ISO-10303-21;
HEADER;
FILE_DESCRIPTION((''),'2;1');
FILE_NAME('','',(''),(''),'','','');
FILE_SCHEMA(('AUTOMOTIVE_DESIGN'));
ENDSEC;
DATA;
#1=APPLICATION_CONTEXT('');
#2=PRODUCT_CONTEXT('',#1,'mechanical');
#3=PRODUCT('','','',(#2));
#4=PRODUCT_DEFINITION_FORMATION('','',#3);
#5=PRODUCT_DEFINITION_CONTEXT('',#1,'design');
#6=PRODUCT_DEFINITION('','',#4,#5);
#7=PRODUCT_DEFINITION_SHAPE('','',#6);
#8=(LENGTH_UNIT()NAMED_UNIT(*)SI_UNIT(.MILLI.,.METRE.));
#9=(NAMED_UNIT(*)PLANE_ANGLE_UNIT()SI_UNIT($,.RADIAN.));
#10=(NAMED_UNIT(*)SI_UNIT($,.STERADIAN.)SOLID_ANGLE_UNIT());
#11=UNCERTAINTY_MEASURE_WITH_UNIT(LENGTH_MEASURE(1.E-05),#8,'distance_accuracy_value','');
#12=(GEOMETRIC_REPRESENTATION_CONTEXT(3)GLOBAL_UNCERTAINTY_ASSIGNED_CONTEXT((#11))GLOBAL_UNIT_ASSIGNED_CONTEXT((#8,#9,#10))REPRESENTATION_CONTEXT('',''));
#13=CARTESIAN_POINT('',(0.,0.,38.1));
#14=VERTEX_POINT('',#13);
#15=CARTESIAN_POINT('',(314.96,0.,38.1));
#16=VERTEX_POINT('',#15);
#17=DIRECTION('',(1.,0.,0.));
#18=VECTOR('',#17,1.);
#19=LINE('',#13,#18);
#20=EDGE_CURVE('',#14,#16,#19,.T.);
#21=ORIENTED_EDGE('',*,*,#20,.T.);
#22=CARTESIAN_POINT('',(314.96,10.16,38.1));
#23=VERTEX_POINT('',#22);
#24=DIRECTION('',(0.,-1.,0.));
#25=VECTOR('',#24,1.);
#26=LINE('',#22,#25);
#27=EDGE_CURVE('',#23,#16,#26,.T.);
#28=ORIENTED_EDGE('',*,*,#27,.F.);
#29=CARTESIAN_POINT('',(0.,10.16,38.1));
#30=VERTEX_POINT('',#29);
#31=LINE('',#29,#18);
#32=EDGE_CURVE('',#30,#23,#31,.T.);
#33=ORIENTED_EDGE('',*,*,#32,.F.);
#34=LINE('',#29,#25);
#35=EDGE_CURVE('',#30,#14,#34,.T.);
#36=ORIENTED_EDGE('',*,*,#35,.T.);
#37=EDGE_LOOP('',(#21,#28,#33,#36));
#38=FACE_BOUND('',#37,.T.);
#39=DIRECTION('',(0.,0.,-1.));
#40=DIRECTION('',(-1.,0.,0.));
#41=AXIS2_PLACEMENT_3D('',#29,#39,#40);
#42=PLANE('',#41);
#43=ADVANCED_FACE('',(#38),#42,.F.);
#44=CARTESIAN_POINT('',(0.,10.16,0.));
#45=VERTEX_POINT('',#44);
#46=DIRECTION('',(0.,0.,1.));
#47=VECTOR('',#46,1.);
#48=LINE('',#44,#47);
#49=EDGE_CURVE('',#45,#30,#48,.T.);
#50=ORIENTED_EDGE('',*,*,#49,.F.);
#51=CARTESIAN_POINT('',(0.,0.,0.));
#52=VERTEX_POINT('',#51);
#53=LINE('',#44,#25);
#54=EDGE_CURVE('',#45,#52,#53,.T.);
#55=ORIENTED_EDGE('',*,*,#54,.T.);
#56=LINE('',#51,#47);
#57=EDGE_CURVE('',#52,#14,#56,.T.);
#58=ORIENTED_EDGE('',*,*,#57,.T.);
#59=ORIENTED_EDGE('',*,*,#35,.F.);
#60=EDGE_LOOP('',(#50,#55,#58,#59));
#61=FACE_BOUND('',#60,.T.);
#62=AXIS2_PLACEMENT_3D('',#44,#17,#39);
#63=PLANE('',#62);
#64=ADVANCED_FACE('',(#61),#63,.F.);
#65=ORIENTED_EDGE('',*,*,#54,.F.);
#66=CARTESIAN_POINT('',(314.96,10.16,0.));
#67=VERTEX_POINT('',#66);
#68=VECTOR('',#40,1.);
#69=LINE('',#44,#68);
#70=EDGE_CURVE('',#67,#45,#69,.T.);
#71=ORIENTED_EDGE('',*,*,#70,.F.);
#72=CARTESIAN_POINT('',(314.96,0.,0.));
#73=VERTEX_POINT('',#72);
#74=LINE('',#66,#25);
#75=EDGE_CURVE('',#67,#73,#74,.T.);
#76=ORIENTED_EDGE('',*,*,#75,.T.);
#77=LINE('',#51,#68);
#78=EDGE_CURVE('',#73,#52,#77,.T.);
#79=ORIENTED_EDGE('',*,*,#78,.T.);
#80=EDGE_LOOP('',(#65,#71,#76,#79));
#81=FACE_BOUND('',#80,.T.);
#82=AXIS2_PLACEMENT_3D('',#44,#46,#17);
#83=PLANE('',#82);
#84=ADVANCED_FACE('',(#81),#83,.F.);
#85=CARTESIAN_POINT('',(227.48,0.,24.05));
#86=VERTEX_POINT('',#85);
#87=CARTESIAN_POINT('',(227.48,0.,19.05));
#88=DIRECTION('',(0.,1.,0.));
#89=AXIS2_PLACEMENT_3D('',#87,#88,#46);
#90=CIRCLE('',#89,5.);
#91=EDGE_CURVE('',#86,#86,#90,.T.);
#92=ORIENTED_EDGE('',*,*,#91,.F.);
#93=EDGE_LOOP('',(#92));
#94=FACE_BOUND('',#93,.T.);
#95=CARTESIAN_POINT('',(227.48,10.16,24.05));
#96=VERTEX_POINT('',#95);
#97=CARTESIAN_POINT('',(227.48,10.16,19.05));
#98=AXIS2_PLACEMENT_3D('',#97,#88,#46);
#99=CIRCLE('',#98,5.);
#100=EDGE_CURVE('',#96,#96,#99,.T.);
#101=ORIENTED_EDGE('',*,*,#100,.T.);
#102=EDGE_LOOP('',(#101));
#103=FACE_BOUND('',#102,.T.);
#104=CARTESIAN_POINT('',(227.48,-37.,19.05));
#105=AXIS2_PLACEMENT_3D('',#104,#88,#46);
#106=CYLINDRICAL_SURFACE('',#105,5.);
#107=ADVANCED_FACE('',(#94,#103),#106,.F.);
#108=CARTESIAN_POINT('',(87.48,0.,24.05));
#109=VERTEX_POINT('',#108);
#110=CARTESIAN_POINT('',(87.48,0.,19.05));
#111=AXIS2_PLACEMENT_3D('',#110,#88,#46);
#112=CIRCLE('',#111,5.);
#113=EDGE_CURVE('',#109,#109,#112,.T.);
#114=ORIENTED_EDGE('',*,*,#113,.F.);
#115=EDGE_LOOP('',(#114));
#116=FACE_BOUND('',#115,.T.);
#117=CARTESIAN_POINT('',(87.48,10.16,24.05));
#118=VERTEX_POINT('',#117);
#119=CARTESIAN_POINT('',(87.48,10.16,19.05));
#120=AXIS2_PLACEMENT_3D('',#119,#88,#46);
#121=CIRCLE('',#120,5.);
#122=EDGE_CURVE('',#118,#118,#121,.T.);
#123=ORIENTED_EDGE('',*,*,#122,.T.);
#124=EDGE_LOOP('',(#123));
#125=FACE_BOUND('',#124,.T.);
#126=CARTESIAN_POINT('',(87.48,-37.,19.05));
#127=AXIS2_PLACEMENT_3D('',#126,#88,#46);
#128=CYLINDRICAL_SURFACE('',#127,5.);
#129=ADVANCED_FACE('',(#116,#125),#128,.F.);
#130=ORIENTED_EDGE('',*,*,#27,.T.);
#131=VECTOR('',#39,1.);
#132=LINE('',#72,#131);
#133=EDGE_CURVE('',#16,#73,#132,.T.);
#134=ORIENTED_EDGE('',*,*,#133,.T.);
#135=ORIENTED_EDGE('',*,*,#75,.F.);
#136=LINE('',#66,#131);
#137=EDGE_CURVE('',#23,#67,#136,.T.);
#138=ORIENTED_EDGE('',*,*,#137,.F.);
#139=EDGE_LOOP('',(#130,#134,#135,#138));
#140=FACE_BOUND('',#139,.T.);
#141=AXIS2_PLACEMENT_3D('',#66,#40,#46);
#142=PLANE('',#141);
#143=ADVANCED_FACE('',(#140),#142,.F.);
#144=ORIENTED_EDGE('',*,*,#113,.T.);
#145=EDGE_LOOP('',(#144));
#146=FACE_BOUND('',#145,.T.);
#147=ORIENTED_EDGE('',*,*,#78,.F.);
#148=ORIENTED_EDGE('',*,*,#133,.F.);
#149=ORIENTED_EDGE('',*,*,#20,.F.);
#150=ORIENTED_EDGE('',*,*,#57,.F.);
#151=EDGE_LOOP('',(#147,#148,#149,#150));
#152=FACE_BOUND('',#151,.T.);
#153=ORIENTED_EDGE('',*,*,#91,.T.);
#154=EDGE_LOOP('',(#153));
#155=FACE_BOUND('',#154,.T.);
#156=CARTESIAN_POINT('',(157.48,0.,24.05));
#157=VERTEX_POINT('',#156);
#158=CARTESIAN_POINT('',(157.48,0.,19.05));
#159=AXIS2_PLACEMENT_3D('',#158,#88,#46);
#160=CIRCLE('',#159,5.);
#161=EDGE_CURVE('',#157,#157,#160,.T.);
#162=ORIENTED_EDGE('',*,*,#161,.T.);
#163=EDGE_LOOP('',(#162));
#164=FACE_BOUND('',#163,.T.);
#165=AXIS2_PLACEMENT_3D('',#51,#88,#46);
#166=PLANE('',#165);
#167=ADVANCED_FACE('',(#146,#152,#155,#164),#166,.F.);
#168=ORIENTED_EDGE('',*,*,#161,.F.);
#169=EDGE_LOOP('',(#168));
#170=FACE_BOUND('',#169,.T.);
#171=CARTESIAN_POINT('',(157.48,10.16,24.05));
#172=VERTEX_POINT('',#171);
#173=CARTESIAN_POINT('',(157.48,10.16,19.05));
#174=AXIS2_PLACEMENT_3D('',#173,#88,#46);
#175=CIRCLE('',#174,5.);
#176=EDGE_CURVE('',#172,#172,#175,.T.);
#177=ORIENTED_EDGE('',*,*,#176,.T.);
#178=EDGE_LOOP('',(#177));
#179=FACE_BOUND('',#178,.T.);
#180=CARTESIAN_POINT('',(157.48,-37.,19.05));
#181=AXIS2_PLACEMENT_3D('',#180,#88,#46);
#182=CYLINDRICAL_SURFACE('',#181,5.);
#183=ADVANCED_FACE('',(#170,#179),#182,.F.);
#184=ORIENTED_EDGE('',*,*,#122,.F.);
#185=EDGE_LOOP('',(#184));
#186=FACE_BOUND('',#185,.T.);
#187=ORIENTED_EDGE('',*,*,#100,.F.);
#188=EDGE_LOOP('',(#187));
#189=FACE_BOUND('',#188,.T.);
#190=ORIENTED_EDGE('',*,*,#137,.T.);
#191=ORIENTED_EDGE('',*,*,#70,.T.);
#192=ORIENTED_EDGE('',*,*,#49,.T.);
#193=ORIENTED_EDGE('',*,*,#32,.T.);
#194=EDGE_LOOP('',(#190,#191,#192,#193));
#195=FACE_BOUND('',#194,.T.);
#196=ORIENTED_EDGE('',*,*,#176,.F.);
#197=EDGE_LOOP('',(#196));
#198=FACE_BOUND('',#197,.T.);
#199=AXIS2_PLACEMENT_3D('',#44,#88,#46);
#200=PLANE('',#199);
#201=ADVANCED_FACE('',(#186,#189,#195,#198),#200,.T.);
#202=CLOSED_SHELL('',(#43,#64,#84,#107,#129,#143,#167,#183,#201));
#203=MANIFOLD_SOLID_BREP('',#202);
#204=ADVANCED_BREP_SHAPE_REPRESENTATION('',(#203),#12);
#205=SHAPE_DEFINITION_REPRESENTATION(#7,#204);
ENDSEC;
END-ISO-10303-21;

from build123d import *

# Parameters (mm, degrees)
SKETCH1_W           = 314.96
SKETCH1_H           = 38.1
BOSS_EXTRUDE1_DEPTH = 10.16
SKETCH2_R           = 5
CUT_EXTRUDE1_DEPTH  = 47.16


with BuildPart() as part:
    # Sketch1 → Boss-Extrude1 (new body)
    with BuildSketch(Plane(origin=(0, 0, 0), x_dir=(1, 0, 0), z_dir=(0, 1, 0))):
        with Locations((157.48, -19.05)):
            Rectangle(SKETCH1_W, SKETCH1_H)
    extrude(amount=BOSS_EXTRUDE1_DEPTH)

    # Sketch2 → Cut-Extrude1 (cut)
    with BuildSketch(Plane(origin=(0, 10.16, 0), x_dir=(1, 0, 0), z_dir=(0, 1, 0))):
        with Locations(Location((87.48, -19.05, 0), (0, 0, 270))):
            Circle(SKETCH2_R)
        with Locations(Location((157.48, -19.05, 0), (0, 0, 270))):
            Circle(SKETCH2_R)
        with Locations(Location((227.48, -19.05, 0), (0, 0, 270))):
            Circle(SKETCH2_R)
    extrude(amount=-CUT_EXTRUDE1_DEPTH, mode=Mode.SUBTRACT)


solid = part.part
